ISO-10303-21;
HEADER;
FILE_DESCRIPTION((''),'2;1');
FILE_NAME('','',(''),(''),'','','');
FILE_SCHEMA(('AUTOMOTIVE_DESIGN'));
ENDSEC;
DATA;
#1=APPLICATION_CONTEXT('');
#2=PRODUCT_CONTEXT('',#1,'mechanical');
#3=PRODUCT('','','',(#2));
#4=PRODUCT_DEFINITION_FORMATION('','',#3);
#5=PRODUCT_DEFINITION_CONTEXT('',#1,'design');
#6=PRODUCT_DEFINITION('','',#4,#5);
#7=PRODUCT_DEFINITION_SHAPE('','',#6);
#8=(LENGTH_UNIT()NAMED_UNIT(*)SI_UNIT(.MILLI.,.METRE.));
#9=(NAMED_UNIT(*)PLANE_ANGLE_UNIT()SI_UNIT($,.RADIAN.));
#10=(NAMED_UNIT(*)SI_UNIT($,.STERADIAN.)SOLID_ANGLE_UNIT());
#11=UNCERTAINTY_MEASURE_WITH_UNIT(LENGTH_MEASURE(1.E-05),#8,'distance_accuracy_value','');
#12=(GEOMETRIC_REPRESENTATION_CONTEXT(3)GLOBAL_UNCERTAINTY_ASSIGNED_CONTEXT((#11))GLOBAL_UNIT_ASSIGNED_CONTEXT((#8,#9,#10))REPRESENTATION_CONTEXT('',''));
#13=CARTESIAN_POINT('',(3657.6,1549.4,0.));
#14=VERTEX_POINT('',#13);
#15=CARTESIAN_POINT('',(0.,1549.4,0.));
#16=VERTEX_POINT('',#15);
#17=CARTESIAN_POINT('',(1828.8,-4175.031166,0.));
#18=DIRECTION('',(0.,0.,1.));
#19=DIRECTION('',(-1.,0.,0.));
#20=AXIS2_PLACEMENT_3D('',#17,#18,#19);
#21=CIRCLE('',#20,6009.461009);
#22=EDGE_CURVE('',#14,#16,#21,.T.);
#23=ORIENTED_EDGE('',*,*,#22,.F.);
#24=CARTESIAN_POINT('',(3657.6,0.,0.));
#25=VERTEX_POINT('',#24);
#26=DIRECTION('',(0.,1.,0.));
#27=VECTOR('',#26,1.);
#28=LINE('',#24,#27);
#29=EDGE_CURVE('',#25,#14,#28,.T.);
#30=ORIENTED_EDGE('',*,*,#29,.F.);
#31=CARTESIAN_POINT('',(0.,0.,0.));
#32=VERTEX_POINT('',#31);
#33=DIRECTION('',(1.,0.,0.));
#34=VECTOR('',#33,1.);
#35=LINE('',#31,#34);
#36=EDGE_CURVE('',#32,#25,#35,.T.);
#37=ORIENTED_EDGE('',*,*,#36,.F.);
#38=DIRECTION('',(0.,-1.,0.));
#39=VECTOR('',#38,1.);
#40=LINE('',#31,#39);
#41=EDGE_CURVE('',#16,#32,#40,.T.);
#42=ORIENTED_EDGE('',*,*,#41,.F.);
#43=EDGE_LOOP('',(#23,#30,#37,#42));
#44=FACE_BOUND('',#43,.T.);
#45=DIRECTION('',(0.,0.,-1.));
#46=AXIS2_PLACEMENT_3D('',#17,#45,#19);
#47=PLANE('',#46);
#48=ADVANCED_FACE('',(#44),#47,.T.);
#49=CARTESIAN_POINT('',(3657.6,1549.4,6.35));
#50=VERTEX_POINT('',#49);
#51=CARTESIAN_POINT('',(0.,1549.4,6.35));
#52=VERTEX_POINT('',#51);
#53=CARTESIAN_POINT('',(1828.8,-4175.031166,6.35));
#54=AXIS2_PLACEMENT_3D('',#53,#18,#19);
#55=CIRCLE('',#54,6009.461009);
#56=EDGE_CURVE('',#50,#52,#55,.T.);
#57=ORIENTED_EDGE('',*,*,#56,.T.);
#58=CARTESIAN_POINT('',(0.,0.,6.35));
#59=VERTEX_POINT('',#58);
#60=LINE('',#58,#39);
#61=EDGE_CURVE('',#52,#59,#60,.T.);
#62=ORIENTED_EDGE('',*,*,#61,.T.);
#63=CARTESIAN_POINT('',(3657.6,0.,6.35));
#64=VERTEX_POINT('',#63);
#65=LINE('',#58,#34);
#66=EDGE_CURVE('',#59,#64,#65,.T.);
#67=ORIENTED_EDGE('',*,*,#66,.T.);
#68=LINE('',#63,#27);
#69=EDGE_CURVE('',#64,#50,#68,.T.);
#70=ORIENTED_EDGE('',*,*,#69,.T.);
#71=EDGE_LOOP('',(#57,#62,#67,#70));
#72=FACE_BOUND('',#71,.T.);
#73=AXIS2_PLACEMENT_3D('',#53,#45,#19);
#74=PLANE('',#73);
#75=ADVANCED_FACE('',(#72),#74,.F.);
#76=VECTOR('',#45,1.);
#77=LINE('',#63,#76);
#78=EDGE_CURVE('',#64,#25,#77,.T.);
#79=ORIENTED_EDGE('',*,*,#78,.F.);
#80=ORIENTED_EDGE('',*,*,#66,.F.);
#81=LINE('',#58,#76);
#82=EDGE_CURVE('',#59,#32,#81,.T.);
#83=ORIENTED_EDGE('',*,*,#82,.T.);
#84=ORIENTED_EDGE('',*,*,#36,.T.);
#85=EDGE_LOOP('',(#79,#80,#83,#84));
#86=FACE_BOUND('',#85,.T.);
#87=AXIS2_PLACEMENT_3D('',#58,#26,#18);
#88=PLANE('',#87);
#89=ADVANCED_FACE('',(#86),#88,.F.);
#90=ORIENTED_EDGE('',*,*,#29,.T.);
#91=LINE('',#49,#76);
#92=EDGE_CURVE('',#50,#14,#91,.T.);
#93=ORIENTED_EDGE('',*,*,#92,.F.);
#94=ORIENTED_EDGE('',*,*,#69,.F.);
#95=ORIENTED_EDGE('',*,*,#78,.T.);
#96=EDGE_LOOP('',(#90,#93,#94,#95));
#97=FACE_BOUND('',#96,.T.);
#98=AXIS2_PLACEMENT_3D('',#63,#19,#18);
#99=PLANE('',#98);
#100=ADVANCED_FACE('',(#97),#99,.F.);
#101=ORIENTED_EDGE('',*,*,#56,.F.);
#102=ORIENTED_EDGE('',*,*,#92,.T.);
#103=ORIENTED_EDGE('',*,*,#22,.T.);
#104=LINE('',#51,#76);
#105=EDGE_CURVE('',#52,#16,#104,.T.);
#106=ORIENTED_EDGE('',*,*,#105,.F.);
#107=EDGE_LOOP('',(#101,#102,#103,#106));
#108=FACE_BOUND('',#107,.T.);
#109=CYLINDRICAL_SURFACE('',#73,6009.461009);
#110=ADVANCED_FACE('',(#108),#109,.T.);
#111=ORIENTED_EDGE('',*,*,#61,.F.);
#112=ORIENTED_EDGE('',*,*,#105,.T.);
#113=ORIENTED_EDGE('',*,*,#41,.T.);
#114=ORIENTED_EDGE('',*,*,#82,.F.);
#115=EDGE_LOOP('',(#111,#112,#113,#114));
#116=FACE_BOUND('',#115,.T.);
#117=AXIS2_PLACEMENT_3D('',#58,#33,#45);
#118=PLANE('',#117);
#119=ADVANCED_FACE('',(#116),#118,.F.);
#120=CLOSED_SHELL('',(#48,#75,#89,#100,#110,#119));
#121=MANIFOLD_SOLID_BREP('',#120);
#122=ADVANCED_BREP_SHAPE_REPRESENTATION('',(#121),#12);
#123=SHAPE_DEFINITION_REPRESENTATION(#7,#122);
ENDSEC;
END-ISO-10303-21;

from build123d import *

# Parameters (mm, degrees)
BOSS_EXTRUDE1_DEPTH = 6.35


with BuildPart() as part:
    # Sketch1 → Boss-Extrude1 (new body)
    with BuildSketch(Plane.XY):
        with BuildLine():
            Line((0, 0), (3657.6, 0))
            Line((3657.6, 0), (3657.6, 1549.4))
            ThreePointArc((3657.6, 1549.4), (1828.8, 1834.429842637), (0, 1549.4))
            Line((0, 1549.4), (0, 0))
        make_face()
    extrude(amount=BOSS_EXTRUDE1_DEPTH)


solid = part.part
